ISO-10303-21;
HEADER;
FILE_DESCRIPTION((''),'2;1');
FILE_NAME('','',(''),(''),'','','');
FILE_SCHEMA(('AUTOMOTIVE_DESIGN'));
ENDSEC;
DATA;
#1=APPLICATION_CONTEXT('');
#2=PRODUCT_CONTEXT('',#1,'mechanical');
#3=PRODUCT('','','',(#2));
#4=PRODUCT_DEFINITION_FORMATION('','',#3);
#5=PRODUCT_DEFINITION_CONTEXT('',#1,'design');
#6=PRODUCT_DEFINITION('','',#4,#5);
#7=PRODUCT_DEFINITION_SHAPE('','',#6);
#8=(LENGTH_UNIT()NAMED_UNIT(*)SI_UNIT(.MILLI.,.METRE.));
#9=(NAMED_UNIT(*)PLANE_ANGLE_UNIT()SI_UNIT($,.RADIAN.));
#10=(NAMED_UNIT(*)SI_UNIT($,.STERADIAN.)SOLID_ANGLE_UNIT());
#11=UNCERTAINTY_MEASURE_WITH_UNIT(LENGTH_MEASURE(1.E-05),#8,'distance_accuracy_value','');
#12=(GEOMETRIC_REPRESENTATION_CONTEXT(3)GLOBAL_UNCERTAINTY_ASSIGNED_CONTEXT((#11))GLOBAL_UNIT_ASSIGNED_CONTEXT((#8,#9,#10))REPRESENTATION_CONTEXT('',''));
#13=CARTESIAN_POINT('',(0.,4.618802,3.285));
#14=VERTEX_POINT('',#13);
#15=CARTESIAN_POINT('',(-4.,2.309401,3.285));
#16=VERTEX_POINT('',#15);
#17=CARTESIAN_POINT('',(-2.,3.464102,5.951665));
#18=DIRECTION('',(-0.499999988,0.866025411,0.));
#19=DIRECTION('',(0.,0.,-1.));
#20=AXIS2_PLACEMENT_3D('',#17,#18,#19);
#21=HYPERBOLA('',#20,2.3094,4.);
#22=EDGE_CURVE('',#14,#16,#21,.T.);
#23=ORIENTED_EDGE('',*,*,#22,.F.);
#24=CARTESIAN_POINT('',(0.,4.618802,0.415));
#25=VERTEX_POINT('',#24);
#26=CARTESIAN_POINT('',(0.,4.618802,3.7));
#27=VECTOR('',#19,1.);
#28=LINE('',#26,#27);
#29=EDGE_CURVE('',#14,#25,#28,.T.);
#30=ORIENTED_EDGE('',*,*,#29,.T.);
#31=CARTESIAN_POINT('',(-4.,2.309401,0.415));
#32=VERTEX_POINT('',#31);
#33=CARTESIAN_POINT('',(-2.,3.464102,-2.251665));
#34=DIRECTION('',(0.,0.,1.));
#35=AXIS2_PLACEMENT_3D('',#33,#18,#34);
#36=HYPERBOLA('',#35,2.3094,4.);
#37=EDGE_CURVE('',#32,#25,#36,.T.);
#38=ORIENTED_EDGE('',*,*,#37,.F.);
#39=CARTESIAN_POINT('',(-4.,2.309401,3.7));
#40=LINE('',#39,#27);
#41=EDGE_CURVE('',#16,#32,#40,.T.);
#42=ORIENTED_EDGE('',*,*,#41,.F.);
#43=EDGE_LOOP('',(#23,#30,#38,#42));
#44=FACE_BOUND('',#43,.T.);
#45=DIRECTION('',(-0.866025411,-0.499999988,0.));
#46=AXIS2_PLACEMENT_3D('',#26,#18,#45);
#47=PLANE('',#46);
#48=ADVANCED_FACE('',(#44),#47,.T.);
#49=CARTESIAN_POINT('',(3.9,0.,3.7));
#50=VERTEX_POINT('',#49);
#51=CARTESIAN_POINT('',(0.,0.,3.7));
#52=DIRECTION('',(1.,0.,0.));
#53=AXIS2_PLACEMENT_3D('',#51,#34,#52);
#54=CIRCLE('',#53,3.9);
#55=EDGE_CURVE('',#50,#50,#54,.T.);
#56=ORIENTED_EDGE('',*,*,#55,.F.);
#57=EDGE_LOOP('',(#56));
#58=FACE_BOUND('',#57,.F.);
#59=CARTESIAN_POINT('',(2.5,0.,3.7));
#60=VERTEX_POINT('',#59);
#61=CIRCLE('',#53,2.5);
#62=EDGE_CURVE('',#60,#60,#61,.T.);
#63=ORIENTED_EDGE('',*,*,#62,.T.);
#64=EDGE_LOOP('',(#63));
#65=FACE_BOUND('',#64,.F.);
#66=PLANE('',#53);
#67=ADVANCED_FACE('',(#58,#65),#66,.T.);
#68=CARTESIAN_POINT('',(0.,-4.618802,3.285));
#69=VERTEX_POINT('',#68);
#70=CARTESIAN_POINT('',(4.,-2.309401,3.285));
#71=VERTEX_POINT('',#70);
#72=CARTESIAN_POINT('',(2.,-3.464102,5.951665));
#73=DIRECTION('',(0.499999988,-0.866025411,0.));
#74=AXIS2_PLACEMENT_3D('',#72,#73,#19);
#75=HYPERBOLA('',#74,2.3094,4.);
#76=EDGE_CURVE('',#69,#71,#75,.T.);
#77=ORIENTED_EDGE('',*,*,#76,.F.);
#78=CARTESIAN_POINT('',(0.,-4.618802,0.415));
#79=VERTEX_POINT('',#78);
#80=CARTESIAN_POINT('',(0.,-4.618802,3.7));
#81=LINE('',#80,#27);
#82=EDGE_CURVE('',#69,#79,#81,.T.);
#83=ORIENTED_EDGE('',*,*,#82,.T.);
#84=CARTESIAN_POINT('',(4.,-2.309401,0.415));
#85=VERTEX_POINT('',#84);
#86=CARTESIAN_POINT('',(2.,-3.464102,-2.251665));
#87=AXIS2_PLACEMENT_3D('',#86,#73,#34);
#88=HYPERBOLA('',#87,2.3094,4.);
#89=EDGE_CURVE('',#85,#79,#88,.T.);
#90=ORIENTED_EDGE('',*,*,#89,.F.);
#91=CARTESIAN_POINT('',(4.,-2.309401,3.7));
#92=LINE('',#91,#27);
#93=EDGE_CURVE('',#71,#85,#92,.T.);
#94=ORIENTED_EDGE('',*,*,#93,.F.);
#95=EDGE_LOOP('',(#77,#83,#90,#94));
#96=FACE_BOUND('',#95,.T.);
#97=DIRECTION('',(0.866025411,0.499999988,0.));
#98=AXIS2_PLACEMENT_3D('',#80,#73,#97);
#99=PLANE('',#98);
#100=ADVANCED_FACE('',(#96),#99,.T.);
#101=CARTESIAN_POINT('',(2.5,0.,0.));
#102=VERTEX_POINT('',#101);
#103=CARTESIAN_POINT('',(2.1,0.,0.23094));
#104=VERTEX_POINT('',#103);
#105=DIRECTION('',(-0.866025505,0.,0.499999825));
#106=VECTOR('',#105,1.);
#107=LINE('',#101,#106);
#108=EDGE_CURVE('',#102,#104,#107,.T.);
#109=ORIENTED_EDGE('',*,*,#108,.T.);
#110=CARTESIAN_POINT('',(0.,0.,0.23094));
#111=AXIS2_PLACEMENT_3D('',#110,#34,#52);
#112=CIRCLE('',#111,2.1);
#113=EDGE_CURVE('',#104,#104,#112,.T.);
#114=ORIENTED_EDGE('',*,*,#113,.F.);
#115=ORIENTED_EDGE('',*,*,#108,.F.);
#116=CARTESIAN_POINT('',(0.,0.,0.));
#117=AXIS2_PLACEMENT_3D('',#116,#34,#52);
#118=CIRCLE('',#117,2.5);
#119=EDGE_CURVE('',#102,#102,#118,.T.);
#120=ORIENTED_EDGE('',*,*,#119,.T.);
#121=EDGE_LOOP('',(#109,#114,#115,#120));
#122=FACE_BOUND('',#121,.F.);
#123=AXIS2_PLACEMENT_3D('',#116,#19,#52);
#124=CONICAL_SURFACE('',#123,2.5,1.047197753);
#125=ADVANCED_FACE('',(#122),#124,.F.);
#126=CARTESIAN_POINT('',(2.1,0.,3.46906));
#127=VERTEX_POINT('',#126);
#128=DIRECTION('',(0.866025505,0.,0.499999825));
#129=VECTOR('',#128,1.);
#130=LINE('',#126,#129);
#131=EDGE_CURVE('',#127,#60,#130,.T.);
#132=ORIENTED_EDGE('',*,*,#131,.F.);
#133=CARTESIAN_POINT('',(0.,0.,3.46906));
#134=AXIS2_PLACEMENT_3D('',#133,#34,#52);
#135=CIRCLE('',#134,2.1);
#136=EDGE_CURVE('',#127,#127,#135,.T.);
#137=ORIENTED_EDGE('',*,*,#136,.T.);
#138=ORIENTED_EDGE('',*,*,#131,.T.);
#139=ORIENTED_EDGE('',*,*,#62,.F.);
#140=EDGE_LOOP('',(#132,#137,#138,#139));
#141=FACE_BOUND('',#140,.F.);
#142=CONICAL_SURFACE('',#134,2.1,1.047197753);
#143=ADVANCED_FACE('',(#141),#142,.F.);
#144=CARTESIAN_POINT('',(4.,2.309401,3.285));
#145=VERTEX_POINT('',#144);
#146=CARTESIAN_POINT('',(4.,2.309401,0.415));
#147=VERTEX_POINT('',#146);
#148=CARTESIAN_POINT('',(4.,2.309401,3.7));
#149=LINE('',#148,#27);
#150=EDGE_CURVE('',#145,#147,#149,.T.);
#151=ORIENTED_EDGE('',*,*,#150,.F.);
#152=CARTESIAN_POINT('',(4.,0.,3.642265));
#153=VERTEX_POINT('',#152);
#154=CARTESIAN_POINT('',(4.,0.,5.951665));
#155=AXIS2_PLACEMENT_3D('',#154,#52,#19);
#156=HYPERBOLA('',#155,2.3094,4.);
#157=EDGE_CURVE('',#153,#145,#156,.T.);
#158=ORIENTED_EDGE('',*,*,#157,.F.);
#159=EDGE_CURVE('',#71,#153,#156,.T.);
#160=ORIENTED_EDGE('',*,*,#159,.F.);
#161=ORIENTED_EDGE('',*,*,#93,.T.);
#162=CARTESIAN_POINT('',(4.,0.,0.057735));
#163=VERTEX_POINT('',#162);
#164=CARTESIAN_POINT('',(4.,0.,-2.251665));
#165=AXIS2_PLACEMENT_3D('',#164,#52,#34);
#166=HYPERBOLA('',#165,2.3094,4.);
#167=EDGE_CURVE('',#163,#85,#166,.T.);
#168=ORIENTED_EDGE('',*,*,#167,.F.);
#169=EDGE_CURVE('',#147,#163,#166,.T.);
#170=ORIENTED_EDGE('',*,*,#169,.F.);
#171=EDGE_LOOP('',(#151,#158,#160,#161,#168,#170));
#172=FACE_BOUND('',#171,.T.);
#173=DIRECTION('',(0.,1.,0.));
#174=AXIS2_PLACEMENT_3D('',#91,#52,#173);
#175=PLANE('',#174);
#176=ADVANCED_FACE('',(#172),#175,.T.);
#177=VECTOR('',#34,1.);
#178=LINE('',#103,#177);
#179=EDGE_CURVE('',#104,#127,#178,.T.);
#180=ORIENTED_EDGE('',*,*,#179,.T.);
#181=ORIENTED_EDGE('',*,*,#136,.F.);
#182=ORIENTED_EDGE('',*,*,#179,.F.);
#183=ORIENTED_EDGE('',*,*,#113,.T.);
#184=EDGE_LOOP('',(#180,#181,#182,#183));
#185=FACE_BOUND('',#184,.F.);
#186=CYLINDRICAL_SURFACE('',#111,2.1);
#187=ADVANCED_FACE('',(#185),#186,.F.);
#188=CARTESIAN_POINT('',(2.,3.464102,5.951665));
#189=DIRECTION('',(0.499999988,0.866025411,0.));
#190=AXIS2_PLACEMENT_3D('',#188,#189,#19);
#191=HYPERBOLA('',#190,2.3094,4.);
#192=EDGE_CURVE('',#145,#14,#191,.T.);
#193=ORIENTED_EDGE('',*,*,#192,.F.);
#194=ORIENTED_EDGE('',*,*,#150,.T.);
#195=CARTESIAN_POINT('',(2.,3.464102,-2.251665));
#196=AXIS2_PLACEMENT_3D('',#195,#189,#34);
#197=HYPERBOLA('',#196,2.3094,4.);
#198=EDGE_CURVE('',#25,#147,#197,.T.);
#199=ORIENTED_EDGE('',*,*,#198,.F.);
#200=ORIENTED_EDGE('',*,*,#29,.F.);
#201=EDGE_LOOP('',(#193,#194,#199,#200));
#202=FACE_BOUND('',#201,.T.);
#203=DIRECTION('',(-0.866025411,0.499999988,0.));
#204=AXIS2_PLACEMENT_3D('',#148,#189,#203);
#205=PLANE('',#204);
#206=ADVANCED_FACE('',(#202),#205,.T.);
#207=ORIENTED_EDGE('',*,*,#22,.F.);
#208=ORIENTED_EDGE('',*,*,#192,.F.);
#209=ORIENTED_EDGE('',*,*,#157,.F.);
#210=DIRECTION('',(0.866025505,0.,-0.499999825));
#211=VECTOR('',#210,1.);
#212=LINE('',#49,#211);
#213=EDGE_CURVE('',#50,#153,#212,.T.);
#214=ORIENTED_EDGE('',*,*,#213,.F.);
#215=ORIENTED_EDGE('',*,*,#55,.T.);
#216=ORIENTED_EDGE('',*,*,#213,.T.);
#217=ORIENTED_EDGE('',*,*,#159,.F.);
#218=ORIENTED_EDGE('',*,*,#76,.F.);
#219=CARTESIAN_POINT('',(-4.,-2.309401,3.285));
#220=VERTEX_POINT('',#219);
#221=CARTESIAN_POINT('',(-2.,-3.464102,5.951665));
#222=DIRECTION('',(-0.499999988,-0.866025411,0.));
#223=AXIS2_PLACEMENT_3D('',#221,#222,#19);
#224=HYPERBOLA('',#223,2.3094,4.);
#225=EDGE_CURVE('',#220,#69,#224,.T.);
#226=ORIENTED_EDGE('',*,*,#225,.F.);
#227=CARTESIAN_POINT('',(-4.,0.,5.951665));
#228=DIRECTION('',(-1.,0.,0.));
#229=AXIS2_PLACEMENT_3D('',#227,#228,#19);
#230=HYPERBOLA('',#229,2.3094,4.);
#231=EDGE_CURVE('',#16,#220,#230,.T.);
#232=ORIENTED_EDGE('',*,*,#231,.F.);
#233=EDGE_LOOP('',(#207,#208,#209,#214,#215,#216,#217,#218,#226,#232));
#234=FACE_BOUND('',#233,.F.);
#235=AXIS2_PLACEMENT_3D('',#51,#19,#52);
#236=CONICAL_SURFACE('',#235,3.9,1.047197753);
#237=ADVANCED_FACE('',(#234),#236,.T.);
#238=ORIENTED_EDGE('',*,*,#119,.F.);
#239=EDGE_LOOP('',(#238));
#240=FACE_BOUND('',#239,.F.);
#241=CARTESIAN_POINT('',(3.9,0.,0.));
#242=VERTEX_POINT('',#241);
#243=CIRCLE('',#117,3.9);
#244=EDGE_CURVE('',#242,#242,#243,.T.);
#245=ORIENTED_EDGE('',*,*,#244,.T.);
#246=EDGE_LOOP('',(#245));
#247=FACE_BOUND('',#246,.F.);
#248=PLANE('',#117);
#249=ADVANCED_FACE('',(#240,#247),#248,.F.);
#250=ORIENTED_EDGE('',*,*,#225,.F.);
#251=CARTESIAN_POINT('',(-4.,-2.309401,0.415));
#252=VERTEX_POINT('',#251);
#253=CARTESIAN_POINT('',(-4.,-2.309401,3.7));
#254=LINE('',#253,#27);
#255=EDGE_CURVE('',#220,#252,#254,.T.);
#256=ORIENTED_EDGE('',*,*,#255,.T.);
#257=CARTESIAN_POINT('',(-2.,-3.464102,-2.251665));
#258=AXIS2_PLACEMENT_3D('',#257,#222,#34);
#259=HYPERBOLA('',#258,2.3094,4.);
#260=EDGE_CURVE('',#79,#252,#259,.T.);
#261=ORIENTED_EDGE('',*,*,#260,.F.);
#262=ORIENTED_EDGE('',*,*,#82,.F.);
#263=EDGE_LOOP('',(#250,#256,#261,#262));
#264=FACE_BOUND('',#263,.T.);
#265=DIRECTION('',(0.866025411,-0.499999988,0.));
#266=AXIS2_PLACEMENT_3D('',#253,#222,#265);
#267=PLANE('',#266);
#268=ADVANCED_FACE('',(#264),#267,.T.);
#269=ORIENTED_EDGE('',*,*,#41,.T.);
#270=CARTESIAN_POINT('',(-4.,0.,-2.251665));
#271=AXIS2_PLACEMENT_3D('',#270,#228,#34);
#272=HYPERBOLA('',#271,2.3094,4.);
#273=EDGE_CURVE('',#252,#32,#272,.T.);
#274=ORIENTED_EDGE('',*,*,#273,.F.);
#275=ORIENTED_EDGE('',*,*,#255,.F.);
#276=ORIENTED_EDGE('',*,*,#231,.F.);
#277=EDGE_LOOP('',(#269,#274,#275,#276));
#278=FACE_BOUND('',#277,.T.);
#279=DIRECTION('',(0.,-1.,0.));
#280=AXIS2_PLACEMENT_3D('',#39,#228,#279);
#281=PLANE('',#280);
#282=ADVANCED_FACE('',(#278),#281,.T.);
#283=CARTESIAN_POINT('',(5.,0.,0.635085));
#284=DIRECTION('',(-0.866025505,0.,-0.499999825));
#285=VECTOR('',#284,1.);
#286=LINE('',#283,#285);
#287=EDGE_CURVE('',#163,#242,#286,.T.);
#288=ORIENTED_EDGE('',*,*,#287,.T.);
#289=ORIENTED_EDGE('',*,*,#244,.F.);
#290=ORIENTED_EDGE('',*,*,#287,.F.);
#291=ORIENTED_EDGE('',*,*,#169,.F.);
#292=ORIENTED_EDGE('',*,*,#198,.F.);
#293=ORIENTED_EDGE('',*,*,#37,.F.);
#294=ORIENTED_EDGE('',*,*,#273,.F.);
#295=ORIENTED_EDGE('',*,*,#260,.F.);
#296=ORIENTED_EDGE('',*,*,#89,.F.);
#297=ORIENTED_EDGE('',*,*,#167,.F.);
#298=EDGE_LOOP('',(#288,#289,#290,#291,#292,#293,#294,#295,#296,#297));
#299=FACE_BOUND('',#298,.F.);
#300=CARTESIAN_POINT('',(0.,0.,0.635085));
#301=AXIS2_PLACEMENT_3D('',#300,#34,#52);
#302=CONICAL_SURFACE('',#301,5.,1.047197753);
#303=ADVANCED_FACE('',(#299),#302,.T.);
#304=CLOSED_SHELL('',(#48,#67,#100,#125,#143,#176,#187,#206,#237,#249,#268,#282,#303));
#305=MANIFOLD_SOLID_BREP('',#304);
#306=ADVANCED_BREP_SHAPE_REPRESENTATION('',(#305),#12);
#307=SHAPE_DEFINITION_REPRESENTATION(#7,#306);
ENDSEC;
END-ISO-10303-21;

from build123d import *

# Parameters (mm, degrees)
SKETCH001_R  = 5
POCKET_DEPTH = 3.7


with BuildPart() as part:
    # Sketch → Revolution (revolve)
    with BuildSketch(Plane.XZ):
        Polygon((2.5, 0), (2.1, 0.23094), (2.1, 3.46906), (2.5, 3.7), (3.9, 3.7), (5, 3.064915), (5, 0.635085), (3.9, 0), align=None)
    revolve(axis=Axis((0, 0, 0), (0, 0, 1)))

    # Sketch001 → Pocket (cut)
    with BuildSketch(Plane(origin=(0, 0, 3.7), x_dir=(-1, 0, 0), z_dir=(0, 0, 1))):
        Circle(SKETCH001_R)
        Polygon((-4, 2.309401), (-4, -2.309401), (0, -4.618802), (4, -2.309401), (4, 2.309401), (0, 4.618802), align=None, mode=Mode.SUBTRACT)
    extrude(amount=-POCKET_DEPTH, mode=Mode.SUBTRACT)


solid = part.part
